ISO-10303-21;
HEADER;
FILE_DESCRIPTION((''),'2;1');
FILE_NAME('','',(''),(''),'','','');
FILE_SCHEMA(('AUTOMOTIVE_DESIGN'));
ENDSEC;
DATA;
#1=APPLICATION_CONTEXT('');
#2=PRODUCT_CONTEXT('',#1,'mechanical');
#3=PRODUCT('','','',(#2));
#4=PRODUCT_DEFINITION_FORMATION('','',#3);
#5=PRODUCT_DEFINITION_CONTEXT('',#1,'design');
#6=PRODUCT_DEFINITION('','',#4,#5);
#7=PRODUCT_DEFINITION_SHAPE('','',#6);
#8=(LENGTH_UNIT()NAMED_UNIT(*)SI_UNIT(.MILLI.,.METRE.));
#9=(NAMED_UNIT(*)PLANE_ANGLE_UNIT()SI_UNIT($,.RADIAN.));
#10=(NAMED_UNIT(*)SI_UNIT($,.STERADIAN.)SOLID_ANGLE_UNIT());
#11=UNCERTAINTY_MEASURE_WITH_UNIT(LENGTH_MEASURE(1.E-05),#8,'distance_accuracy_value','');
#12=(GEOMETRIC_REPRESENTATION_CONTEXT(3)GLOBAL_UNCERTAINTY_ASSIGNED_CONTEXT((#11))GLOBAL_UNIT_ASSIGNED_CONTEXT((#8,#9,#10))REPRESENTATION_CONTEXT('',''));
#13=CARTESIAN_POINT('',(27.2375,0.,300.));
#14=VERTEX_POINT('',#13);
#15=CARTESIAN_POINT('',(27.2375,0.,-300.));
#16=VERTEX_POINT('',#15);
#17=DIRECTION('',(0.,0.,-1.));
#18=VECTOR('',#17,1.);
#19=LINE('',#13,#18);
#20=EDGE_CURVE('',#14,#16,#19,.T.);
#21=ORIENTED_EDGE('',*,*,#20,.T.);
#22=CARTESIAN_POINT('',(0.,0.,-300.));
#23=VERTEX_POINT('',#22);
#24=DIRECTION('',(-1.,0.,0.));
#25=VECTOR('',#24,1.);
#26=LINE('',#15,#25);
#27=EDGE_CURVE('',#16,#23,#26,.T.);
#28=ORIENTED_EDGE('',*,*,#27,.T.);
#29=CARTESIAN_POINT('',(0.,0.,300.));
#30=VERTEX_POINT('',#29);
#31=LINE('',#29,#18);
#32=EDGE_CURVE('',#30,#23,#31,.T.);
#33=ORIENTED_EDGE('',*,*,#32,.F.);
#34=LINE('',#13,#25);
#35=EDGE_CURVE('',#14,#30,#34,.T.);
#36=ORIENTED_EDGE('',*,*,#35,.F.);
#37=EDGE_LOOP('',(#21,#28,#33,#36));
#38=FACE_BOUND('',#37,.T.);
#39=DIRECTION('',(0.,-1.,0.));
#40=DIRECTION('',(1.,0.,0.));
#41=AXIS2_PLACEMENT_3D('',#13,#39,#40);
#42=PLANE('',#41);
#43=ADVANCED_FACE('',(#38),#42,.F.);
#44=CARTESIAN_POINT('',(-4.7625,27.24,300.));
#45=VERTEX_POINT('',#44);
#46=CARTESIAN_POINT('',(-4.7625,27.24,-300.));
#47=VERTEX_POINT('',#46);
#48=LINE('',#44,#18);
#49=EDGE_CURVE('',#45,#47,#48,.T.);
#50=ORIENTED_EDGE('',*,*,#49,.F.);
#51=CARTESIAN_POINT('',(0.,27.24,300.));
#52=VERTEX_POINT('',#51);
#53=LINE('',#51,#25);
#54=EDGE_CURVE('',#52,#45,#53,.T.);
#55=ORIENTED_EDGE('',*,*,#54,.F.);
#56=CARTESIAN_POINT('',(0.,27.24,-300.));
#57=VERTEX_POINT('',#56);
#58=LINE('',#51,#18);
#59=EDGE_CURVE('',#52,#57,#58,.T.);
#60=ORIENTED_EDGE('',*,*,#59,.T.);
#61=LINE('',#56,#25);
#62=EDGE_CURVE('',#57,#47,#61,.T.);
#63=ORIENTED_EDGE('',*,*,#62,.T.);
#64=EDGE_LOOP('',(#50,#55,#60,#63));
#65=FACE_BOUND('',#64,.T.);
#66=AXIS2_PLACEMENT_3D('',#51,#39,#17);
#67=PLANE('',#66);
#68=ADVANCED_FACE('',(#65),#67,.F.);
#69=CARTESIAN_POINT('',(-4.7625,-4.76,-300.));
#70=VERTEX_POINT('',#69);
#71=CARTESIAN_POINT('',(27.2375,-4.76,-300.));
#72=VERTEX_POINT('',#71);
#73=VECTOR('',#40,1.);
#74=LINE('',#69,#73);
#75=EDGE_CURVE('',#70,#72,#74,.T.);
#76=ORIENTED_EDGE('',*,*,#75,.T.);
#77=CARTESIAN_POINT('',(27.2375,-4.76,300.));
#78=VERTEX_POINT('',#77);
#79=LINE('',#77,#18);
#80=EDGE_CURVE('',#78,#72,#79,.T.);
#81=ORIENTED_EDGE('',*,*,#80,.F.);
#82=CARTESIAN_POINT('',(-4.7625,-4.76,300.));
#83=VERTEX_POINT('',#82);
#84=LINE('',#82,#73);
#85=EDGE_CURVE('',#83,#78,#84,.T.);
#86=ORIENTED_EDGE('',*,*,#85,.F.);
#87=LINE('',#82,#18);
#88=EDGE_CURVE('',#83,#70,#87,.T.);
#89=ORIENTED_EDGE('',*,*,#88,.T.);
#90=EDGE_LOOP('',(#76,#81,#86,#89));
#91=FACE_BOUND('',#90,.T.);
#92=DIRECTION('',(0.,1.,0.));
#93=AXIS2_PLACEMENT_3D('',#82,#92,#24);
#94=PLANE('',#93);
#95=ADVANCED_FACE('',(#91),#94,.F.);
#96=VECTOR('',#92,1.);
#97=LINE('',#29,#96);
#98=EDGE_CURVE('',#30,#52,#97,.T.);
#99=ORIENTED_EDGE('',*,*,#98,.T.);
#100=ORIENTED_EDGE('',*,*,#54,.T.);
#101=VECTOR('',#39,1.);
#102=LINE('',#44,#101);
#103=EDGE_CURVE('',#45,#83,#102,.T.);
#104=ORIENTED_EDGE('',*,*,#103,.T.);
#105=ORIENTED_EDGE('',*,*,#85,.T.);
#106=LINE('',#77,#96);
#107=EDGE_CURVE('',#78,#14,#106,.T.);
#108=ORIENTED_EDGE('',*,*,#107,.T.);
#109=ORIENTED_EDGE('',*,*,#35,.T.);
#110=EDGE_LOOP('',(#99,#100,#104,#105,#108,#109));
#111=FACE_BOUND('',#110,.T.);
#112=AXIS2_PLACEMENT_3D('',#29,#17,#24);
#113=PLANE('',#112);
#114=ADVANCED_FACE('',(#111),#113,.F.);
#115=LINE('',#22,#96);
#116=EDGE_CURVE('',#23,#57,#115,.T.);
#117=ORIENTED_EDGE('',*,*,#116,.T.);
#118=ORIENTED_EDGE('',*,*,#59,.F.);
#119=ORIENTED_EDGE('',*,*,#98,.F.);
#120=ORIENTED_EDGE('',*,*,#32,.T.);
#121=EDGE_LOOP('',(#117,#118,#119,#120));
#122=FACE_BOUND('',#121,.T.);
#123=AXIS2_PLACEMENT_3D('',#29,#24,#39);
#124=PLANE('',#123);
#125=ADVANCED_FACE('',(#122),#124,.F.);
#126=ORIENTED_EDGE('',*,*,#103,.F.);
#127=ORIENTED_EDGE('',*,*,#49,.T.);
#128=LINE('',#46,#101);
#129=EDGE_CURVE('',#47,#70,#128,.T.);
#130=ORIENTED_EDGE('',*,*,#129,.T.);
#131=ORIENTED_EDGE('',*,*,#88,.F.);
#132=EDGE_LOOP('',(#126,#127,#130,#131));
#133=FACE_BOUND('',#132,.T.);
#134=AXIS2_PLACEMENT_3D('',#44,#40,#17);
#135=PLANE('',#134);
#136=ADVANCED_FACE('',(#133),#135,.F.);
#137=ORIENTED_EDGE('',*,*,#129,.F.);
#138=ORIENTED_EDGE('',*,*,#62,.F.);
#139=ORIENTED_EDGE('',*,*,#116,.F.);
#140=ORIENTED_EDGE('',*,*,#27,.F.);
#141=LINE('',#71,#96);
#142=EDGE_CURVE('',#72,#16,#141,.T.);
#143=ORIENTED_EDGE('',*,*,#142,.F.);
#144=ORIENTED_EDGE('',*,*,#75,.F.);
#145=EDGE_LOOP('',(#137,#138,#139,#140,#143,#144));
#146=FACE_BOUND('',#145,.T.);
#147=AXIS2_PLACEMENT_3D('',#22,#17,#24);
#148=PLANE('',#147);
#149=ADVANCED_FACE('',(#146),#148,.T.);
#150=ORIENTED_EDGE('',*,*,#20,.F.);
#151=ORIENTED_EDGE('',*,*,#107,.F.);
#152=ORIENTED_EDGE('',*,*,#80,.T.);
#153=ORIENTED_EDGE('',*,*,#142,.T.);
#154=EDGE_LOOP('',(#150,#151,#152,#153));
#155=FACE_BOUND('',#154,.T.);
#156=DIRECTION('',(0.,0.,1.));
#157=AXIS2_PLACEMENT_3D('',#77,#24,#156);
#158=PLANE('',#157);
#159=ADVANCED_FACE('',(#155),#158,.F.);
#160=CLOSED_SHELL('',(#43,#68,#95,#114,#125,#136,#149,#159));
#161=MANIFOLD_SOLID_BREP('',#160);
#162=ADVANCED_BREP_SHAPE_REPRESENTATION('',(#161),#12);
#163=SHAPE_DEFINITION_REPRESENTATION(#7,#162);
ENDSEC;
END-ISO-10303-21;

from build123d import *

# Parameters (mm, degrees)
SALIENTE_EXTRUIR1_DEPTH = 300


with BuildPart() as part:
    # Croquis1 → Saliente-Extruir1 (new, symmetric)
    with BuildSketch(Plane.XY):
        Polygon((0, 0), (0, 27.24), (-4.7625, 27.24), (-4.7625, -4.76), (27.2375, -4.76), (27.2375, 0), align=None)
    extrude(amount=SALIENTE_EXTRUIR1_DEPTH, both=True)


solid = part.part
